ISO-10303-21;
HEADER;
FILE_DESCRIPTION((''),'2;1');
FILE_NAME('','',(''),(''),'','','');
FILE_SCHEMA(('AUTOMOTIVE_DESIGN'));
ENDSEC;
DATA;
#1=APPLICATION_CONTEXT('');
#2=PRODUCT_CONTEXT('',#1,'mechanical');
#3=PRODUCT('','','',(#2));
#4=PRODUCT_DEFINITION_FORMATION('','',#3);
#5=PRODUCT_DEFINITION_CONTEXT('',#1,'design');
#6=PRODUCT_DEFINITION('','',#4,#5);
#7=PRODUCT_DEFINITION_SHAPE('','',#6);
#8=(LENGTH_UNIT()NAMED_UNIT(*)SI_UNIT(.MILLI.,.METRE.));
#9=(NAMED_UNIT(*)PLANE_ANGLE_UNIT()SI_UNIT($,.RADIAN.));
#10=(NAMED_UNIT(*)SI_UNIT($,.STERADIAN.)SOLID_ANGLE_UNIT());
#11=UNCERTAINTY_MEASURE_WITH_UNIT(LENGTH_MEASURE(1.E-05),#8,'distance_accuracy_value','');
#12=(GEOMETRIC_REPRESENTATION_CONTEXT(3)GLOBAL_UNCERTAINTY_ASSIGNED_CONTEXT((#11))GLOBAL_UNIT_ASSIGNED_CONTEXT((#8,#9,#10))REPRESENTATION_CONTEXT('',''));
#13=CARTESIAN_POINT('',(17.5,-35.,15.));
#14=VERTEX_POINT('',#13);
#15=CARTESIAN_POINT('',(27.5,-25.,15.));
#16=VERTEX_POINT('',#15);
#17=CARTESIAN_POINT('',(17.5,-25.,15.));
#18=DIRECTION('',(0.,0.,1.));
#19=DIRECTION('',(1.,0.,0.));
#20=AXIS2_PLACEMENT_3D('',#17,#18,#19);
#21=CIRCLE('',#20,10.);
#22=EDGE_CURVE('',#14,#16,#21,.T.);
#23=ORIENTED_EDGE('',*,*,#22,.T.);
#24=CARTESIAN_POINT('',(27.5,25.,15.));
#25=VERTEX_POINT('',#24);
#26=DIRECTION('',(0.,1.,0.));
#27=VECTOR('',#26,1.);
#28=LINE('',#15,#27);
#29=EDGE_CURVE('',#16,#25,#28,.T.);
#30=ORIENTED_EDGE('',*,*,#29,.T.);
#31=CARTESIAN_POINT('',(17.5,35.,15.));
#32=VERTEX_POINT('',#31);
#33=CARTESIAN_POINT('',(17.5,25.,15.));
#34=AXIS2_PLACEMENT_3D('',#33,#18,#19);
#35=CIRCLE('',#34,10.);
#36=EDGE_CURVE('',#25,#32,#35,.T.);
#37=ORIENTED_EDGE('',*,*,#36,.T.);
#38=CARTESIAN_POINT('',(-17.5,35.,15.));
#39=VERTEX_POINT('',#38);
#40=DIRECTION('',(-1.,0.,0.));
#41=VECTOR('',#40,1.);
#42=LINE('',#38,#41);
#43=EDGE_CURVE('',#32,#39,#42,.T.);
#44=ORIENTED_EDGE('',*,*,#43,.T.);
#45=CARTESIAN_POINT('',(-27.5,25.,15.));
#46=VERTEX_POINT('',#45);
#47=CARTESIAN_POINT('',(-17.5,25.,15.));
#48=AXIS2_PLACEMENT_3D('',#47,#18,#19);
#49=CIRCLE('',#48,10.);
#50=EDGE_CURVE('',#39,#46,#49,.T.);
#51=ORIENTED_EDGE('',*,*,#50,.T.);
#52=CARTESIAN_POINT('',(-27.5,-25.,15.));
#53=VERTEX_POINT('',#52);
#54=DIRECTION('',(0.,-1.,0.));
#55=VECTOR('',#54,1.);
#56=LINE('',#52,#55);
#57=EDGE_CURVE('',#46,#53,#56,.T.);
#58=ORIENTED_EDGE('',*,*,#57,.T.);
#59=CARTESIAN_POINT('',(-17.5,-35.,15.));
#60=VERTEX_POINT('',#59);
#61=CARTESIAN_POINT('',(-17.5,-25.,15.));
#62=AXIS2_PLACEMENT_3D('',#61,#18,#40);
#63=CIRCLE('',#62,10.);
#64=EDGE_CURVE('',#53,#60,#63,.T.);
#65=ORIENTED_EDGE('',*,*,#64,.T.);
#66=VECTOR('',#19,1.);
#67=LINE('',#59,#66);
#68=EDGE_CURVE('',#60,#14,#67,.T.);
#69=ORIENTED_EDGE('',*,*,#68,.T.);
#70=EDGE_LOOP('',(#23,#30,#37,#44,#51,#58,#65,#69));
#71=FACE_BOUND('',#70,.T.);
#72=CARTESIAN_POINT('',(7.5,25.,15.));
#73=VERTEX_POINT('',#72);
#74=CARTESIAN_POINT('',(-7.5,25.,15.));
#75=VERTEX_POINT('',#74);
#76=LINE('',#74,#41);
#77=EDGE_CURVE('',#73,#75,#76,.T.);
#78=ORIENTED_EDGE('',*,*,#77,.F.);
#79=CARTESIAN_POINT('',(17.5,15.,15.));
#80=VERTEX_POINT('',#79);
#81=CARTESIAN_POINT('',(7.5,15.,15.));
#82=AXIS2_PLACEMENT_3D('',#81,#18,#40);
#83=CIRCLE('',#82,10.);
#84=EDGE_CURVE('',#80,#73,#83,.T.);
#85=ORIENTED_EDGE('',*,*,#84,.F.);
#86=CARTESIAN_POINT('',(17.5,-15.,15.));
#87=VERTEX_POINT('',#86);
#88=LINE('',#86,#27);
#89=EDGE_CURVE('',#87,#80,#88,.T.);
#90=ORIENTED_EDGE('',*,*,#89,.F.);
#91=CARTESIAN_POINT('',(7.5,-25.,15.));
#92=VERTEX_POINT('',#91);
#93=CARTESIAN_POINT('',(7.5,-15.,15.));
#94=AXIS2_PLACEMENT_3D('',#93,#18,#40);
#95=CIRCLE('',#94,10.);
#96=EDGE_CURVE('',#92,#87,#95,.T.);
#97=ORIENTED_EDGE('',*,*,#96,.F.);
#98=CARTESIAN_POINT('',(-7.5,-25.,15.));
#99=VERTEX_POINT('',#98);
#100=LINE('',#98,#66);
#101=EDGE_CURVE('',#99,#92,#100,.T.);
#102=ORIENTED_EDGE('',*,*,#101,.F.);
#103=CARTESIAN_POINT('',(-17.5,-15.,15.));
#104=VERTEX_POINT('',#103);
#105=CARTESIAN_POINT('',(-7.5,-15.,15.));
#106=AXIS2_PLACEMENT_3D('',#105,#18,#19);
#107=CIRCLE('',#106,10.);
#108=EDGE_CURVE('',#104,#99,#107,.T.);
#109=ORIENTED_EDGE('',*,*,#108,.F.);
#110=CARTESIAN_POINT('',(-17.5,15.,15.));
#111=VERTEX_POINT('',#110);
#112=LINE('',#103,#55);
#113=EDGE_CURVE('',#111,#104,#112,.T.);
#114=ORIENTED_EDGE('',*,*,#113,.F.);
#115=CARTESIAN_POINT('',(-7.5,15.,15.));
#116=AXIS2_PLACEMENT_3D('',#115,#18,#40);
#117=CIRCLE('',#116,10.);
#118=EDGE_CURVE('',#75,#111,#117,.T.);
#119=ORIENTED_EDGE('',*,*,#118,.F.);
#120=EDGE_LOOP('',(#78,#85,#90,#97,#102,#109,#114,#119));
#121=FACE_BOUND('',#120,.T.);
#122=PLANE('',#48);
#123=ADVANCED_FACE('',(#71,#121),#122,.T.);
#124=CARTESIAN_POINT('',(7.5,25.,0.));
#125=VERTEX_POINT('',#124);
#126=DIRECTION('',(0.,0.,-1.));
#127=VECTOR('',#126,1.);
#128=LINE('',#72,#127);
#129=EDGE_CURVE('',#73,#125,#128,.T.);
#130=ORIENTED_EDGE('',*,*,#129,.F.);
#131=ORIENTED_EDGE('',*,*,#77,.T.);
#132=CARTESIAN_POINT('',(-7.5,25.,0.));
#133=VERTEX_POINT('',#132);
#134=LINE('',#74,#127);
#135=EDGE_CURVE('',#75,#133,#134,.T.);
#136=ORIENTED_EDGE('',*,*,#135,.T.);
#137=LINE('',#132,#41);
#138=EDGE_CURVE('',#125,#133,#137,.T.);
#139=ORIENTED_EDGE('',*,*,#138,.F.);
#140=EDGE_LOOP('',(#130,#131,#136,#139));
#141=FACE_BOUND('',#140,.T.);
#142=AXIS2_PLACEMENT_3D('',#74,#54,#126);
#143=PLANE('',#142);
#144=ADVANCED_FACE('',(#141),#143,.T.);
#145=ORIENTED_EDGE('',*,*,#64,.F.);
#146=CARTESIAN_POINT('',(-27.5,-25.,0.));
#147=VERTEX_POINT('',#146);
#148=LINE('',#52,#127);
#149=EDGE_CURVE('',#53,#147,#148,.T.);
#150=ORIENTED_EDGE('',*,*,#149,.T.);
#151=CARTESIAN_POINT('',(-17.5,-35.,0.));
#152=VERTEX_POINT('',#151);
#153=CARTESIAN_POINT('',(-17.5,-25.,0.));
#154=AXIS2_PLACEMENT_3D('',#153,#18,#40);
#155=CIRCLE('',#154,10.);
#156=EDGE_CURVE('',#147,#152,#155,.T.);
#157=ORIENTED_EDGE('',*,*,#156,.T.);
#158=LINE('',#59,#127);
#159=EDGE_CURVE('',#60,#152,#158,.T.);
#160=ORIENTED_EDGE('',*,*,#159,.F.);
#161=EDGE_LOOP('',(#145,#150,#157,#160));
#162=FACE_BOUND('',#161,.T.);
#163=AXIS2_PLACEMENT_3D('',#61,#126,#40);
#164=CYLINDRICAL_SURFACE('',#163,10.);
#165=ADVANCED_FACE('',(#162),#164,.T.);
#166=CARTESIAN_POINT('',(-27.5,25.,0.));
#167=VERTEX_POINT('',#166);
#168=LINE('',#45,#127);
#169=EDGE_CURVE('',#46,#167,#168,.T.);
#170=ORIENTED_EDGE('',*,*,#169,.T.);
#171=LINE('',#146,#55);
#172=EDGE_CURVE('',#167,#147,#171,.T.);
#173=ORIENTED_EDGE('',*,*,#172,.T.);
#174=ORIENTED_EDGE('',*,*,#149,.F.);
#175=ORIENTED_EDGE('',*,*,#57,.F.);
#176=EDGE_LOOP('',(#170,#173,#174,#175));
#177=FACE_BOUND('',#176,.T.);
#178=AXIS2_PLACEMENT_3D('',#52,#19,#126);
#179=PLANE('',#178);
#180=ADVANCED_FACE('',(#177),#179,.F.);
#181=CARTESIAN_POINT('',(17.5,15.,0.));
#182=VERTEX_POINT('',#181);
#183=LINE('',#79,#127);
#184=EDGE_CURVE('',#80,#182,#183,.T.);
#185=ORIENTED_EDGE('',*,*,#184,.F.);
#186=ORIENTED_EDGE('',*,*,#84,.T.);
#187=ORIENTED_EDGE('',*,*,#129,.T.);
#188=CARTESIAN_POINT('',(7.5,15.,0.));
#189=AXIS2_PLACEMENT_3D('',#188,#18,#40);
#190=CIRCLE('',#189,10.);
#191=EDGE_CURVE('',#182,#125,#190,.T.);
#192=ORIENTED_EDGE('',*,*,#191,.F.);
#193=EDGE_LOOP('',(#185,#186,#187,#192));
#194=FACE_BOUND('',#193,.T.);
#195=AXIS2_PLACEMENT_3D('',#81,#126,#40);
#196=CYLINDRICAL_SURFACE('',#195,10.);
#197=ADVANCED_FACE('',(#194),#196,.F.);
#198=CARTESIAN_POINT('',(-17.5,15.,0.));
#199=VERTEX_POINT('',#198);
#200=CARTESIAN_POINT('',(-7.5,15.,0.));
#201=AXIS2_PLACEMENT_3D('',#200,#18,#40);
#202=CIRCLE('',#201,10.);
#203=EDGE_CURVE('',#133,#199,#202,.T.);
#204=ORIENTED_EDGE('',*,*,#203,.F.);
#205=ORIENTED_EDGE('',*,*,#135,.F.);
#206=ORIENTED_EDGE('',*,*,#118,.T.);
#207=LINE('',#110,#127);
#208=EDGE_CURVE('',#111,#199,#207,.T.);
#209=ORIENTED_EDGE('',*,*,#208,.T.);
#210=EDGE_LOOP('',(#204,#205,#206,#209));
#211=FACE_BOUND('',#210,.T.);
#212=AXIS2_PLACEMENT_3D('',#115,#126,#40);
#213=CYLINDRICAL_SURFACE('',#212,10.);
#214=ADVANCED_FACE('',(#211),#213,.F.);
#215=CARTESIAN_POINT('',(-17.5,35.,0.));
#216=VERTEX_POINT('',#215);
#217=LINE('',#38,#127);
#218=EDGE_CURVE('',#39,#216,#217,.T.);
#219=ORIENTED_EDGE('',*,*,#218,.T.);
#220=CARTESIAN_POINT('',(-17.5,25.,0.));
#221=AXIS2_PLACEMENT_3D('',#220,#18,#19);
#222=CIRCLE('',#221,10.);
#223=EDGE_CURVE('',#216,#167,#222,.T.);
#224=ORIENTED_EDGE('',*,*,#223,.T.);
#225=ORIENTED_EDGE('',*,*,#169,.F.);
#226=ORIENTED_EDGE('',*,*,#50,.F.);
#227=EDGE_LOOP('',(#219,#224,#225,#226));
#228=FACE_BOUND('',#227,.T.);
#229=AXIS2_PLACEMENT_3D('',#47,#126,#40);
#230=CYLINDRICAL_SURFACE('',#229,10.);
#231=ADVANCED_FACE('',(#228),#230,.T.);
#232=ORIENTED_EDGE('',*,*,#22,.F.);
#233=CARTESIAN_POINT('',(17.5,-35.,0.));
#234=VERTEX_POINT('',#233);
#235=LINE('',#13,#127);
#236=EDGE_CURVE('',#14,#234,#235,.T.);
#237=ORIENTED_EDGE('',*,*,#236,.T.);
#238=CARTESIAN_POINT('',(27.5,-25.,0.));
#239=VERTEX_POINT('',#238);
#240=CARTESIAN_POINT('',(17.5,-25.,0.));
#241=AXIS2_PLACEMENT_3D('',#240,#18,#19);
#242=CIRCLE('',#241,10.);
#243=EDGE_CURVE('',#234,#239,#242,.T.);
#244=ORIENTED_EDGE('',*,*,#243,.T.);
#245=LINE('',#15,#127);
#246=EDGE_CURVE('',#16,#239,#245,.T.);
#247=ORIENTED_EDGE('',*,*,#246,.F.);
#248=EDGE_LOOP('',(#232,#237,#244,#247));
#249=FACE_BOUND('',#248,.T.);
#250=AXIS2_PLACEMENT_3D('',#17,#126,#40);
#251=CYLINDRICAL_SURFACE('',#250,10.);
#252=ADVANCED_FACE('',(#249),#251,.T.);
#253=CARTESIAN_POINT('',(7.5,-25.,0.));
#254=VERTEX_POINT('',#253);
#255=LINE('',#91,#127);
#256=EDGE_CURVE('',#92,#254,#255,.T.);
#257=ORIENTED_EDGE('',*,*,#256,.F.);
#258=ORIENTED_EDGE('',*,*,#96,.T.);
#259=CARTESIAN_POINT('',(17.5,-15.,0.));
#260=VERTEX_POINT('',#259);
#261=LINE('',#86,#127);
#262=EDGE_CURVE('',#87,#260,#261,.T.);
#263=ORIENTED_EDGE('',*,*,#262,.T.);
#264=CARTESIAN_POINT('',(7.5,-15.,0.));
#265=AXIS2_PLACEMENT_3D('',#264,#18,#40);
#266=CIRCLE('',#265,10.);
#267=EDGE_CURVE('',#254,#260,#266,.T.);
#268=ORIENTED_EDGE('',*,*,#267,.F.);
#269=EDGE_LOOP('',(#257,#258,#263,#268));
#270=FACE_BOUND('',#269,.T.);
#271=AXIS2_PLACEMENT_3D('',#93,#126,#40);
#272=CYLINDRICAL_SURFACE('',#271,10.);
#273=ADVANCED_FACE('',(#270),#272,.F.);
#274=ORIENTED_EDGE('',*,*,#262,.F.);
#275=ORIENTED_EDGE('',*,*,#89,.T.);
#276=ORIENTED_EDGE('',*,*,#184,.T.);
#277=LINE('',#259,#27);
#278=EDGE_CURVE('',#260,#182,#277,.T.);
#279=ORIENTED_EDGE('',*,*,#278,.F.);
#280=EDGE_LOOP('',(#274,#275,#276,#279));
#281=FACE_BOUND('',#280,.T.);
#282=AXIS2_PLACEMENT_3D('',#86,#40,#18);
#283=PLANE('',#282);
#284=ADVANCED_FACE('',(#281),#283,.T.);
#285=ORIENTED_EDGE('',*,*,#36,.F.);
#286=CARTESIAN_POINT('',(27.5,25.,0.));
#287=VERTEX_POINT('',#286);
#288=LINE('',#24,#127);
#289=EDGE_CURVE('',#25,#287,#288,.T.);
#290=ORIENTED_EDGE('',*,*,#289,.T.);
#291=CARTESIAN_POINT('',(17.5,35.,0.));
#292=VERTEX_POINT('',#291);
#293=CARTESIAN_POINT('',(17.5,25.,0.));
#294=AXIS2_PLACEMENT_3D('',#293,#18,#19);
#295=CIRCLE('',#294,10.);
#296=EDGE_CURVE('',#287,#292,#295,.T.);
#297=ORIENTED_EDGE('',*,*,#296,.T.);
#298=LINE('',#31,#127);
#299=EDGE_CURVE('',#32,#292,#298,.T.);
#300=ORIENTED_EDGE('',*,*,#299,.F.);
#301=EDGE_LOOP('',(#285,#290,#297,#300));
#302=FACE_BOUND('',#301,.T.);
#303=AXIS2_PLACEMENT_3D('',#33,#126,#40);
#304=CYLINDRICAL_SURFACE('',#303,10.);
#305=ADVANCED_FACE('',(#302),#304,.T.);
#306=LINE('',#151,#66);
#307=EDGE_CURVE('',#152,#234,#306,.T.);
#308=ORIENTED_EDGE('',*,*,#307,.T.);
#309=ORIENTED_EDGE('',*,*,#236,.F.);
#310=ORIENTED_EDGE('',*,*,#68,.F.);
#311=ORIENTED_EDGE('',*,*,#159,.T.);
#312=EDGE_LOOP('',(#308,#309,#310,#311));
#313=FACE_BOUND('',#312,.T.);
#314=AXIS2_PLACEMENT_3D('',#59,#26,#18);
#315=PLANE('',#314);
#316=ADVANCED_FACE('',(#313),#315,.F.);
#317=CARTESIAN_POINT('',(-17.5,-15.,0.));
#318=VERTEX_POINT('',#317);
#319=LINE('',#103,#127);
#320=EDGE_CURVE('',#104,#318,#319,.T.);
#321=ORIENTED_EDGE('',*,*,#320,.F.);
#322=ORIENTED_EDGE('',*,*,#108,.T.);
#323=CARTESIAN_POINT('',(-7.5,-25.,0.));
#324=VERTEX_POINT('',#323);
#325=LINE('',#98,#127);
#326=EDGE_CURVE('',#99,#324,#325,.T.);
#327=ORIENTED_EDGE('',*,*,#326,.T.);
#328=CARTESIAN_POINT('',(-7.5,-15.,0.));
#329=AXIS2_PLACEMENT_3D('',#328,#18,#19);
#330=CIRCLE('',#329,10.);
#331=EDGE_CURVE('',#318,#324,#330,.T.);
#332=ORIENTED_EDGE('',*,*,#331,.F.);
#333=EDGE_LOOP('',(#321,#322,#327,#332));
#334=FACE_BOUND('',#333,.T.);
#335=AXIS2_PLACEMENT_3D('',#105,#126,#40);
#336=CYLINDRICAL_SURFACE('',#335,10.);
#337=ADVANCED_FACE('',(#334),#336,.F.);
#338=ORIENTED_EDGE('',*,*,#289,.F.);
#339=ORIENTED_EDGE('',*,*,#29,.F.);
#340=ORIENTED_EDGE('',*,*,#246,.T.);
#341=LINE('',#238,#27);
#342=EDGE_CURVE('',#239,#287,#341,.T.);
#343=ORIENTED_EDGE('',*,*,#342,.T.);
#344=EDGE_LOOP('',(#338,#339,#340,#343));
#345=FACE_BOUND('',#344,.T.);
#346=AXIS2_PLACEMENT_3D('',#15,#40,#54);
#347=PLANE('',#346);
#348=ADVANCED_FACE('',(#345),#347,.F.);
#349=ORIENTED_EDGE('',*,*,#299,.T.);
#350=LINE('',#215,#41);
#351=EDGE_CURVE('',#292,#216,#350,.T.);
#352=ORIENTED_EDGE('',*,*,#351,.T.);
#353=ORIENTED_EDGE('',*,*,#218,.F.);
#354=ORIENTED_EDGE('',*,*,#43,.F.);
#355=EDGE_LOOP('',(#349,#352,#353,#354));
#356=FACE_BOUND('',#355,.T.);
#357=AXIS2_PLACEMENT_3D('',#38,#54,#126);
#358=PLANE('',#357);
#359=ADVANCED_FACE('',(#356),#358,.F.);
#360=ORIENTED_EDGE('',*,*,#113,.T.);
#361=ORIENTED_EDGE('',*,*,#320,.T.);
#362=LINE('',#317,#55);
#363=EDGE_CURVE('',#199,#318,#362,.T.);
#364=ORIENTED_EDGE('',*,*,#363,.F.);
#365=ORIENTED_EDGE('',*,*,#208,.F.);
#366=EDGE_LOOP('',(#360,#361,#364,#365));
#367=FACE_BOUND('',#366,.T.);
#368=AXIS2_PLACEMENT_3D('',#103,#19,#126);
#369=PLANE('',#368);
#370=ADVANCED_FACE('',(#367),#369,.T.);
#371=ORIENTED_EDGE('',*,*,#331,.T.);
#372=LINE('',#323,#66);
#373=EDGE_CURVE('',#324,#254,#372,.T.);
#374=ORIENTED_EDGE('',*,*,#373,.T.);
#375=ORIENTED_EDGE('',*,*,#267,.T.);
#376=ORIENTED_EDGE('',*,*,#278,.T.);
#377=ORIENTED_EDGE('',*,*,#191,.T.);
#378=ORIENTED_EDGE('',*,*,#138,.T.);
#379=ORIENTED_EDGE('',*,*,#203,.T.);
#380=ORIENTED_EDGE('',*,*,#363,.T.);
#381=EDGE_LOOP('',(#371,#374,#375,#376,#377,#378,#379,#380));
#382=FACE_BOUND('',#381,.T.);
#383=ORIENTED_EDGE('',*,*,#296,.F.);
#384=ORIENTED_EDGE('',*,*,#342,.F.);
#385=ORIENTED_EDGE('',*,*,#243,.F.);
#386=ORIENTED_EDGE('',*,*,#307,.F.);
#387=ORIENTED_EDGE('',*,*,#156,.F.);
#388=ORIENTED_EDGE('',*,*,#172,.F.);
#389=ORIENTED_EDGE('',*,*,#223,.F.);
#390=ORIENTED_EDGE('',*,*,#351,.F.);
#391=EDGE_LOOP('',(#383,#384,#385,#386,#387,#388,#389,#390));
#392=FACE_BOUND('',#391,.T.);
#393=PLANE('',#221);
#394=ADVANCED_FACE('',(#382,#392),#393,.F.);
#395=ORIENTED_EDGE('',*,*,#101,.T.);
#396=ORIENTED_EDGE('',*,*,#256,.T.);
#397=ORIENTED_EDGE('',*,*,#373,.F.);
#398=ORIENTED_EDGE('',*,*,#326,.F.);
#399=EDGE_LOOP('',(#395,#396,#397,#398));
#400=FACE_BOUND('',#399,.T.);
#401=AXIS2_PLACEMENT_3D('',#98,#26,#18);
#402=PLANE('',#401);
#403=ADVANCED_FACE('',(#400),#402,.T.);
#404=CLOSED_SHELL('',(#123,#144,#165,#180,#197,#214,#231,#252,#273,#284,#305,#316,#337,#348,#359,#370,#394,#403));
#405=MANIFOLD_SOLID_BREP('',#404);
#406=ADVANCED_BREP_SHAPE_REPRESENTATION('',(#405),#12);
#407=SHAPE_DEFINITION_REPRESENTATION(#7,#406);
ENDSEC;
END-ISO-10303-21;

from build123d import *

# Parameters (mm, degrees)
BOSS_EXTRU_1_DEPTH = 15


with BuildPart() as part:
    # Esquisse1 → Boss.-Extru.1 (new body)
    with BuildSketch(Plane.XY):
        with BuildLine():
            Line((-17.5, 35), (17.5, 35))
            ThreePointArc((17.5, 35), (24.571067812, 32.071067812), (27.5, 25))
            Line((27.5, 25), (27.5, -25))
            ThreePointArc((27.5, -25), (24.571067812, -32.071067812), (17.5, -35))
            Line((17.5, -35), (-17.5, -35))
            ThreePointArc((-17.5, -35), (-24.571067812, -32.071067812), (-27.5, -25))
            Line((-27.5, -25), (-27.5, 25))
            ThreePointArc((-27.5, 25), (-24.571067812, 32.071067812), (-17.5, 35))
        make_face()
        with BuildLine():
            Line((-7.5, -25), (7.5, -25))
            ThreePointArc((7.5, -25), (14.571067812, -22.071067812), (17.5, -15))
            Line((17.5, -15), (17.5, 15))
            ThreePointArc((17.5, 15), (14.571067812, 22.071067812), (7.5, 25))
            Line((7.5, 25), (-7.5, 25))
            ThreePointArc((-7.5, 25), (-14.571067812, 22.071067812), (-17.5, 15))
            Line((-17.5, 15), (-17.5, -15))
            ThreePointArc((-17.5, -15), (-14.571067812, -22.071067812), (-7.5, -25))
        make_face(mode=Mode.SUBTRACT)
    extrude(amount=BOSS_EXTRU_1_DEPTH)


solid = part.part
